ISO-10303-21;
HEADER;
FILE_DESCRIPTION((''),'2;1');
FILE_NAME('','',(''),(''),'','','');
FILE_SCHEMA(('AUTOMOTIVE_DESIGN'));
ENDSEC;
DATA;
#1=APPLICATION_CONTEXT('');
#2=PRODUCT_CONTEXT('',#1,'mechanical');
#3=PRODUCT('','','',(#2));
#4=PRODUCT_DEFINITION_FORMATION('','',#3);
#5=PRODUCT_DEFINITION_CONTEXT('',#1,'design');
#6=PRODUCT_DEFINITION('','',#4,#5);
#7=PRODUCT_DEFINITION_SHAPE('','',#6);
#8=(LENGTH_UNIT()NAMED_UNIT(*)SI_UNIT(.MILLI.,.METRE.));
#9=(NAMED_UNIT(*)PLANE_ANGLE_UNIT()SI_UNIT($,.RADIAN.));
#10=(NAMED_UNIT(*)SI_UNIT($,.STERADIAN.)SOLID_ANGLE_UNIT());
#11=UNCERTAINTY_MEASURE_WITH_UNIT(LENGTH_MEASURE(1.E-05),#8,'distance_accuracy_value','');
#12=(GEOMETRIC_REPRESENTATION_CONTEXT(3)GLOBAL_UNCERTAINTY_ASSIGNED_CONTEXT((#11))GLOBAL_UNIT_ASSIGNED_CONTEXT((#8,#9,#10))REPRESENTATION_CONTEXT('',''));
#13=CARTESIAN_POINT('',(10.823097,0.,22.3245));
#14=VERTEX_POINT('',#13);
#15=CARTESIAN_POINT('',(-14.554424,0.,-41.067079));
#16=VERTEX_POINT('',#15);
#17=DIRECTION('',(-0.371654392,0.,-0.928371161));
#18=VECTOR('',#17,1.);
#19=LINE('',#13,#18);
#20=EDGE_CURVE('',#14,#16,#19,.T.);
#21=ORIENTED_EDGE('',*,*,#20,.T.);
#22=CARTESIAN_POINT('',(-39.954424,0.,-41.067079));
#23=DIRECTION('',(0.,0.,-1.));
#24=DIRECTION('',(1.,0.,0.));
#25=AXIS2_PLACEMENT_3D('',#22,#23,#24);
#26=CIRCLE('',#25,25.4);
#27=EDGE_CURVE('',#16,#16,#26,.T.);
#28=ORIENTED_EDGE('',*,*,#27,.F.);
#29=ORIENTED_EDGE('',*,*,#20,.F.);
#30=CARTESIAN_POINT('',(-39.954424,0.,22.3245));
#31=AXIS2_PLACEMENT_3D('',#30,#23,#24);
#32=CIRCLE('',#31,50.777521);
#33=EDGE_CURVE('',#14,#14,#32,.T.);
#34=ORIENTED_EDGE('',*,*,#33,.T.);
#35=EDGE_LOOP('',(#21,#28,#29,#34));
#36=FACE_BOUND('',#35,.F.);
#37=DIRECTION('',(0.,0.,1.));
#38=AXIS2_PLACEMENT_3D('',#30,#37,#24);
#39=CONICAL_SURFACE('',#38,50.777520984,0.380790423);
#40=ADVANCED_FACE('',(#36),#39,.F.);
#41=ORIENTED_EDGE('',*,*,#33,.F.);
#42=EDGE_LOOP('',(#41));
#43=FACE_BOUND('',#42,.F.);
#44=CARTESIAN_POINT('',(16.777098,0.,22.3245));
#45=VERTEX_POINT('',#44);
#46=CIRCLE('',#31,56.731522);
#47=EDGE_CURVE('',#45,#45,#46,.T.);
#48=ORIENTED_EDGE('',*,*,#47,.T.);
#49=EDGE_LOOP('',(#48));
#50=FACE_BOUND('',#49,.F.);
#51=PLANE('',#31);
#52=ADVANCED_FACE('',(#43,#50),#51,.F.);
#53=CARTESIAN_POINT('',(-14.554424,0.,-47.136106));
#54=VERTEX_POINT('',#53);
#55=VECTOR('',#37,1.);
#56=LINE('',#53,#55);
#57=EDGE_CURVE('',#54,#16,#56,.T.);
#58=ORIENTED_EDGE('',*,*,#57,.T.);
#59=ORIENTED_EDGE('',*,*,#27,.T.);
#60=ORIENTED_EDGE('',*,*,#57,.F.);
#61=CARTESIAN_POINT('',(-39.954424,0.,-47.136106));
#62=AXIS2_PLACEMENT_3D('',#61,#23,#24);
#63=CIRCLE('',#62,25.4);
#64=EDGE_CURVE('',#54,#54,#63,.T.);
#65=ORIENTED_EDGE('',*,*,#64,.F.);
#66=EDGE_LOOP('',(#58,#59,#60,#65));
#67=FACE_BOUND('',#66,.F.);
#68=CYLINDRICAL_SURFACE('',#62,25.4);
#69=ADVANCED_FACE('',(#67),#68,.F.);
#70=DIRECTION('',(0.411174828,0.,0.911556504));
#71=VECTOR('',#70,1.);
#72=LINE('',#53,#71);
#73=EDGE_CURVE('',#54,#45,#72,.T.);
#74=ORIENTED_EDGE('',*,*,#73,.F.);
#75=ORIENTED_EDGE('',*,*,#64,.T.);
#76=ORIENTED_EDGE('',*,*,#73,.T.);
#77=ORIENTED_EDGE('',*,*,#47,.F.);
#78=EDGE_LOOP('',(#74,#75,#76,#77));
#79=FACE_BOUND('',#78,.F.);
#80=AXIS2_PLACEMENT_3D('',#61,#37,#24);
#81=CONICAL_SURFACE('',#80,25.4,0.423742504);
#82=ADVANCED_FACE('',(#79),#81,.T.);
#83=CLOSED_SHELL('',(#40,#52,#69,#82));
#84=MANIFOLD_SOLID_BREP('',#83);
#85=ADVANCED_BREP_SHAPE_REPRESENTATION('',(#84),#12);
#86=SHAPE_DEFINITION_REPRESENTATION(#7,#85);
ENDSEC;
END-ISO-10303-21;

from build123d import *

# Parameters (mm, degrees)
F2_R      = 24.7047404202
F1_FACE_R = 25.4
F3_DEPTH  = 50.8


with BuildPart() as f1:
    # F0 (on Front) → F1 (revolve)
    with BuildSketch(Plane.XZ):
        Polygon((-39.9544239044, -41.0670787096), (-39.9544239044, -47.136105597), (-14.5544239044, -47.136105597), (16.7770980106, 22.324500033), (10.82309708, 22.324500033), (-14.5544239044, -41.0670787096), align=None)
    revolve(axis=Axis((-39.9544239044, 0, -44.1015921533), (0, 0, -1)))

    # F2 (on Top) + F1_face (on face) → F3 (cut)
    with BuildSketch(Plane.XY):
        with Locations((-40.6892560422, 0)):
            Circle(F2_R)
    with BuildSketch(Plane(origin=(-39.9544239044, 0, -47.136105597), x_dir=(1, 0, 0), z_dir=(0, 0, -1))):
        Circle(F1_FACE_R)
    extrude(amount=F3_DEPTH, dir=(0, 0, 1), mode=Mode.SUBTRACT)


solid = f1.part
